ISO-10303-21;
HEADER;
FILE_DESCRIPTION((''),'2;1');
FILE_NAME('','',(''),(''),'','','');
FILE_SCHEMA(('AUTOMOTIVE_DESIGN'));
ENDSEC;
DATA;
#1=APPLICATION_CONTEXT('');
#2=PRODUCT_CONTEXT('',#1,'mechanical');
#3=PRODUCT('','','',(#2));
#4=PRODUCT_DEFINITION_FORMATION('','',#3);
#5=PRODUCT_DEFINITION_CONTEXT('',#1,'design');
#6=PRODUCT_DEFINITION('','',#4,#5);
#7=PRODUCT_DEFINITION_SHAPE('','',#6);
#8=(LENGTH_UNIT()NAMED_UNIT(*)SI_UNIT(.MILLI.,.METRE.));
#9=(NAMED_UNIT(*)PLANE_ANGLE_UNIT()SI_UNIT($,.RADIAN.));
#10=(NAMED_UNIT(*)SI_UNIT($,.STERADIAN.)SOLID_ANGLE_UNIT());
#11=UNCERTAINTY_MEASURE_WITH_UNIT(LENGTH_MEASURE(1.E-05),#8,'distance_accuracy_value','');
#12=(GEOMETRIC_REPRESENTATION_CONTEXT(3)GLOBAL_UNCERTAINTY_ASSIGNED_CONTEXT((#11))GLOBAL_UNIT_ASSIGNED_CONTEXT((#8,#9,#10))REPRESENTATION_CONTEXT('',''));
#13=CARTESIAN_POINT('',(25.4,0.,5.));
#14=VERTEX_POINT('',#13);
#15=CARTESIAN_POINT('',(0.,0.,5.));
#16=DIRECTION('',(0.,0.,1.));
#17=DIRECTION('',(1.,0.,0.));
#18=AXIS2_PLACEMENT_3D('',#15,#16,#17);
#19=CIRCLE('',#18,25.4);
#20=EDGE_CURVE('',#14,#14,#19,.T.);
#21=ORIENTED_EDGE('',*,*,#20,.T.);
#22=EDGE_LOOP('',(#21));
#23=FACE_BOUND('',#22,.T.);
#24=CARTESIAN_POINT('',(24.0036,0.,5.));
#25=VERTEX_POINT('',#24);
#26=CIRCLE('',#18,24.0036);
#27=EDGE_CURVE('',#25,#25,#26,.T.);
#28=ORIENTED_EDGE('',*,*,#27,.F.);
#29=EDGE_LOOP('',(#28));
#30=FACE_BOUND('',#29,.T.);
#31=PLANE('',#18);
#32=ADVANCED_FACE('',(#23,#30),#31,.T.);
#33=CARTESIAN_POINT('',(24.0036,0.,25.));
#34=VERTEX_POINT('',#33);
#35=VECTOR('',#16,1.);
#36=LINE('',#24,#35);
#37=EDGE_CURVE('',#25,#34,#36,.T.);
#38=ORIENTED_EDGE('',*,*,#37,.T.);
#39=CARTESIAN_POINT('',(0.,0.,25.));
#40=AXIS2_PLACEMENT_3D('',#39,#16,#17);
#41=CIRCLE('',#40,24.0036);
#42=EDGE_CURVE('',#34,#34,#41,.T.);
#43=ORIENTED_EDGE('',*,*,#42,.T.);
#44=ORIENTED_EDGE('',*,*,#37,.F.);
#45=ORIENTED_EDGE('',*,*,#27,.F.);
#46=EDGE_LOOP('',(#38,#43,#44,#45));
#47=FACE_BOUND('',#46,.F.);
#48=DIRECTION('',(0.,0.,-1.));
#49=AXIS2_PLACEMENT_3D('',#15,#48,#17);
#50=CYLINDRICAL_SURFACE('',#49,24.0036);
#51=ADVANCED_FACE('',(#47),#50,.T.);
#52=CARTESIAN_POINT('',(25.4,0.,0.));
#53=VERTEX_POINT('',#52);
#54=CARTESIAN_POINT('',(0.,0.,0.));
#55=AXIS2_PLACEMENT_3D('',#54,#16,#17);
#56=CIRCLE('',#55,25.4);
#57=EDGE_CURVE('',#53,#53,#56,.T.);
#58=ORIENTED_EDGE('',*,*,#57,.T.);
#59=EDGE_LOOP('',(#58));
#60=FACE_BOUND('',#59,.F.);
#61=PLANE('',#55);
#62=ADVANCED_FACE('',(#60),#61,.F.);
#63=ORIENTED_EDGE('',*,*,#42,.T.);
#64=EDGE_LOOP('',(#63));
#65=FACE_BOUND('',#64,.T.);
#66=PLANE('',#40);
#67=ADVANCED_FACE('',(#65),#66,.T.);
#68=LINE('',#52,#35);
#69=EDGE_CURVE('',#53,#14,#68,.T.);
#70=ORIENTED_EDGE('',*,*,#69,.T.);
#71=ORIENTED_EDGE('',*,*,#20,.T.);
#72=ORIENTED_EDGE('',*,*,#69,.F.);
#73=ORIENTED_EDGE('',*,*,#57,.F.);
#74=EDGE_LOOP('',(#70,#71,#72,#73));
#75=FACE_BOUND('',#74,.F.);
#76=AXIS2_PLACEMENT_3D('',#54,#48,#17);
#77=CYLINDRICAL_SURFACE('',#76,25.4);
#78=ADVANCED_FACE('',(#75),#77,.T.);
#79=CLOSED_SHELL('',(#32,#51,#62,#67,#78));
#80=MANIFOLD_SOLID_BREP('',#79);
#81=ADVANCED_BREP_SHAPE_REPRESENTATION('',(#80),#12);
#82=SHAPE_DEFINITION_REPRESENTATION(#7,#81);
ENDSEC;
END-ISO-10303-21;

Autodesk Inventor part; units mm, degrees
ref_plane "YZ Plane" through (0, 0, 0) normal (1, 0, 0) x (0, 1, 0)
ref_plane "XZ Plane" through (0, 0, 0) normal (0, 1, 0) x (-1, 0, 0)
ref_plane "XY Plane" through (0, 0, 0) normal (0, 0, 1) x (1, 0, 0)
sketch "Sketch1" plane through (0, 0, 0) normal (0, 0, 1) x (1, 0, 0)
  circle A0 centre (0, 0) radius 25.4
  dimension "d0" = 50.8
extrude "Extrusion1" add sketch "Sketch1" along normal blind 5
sketch "Sketch2" plane through (0, 0, 5) normal (0, 0, 1) x (1, 0, 0)
  circle A0 centre (0, 0) radius 24.0036
extrude "Extrusion2" add sketch "Sketch2" along normal blind 20
equation "\"BendRadius\" = Thickness"
equation "\"BendReliefWidth\" = Thickness"
equation "\"BendReliefDepth\" = 0.5 * Thickness"
equation "\"CornerReliefSize\" = 4 * Thickness"
equation "\"MinimumRemnant\" = 2 * Thickness"
equation "\"TransitionRadius\" = BendRadius"
equation "\"JacobiRadiusSize\" = BendRadius"
equation "\"GapSize\" = Thickness"
equation "\"Thickness\" = 3.048"
properties part number "lampa"
